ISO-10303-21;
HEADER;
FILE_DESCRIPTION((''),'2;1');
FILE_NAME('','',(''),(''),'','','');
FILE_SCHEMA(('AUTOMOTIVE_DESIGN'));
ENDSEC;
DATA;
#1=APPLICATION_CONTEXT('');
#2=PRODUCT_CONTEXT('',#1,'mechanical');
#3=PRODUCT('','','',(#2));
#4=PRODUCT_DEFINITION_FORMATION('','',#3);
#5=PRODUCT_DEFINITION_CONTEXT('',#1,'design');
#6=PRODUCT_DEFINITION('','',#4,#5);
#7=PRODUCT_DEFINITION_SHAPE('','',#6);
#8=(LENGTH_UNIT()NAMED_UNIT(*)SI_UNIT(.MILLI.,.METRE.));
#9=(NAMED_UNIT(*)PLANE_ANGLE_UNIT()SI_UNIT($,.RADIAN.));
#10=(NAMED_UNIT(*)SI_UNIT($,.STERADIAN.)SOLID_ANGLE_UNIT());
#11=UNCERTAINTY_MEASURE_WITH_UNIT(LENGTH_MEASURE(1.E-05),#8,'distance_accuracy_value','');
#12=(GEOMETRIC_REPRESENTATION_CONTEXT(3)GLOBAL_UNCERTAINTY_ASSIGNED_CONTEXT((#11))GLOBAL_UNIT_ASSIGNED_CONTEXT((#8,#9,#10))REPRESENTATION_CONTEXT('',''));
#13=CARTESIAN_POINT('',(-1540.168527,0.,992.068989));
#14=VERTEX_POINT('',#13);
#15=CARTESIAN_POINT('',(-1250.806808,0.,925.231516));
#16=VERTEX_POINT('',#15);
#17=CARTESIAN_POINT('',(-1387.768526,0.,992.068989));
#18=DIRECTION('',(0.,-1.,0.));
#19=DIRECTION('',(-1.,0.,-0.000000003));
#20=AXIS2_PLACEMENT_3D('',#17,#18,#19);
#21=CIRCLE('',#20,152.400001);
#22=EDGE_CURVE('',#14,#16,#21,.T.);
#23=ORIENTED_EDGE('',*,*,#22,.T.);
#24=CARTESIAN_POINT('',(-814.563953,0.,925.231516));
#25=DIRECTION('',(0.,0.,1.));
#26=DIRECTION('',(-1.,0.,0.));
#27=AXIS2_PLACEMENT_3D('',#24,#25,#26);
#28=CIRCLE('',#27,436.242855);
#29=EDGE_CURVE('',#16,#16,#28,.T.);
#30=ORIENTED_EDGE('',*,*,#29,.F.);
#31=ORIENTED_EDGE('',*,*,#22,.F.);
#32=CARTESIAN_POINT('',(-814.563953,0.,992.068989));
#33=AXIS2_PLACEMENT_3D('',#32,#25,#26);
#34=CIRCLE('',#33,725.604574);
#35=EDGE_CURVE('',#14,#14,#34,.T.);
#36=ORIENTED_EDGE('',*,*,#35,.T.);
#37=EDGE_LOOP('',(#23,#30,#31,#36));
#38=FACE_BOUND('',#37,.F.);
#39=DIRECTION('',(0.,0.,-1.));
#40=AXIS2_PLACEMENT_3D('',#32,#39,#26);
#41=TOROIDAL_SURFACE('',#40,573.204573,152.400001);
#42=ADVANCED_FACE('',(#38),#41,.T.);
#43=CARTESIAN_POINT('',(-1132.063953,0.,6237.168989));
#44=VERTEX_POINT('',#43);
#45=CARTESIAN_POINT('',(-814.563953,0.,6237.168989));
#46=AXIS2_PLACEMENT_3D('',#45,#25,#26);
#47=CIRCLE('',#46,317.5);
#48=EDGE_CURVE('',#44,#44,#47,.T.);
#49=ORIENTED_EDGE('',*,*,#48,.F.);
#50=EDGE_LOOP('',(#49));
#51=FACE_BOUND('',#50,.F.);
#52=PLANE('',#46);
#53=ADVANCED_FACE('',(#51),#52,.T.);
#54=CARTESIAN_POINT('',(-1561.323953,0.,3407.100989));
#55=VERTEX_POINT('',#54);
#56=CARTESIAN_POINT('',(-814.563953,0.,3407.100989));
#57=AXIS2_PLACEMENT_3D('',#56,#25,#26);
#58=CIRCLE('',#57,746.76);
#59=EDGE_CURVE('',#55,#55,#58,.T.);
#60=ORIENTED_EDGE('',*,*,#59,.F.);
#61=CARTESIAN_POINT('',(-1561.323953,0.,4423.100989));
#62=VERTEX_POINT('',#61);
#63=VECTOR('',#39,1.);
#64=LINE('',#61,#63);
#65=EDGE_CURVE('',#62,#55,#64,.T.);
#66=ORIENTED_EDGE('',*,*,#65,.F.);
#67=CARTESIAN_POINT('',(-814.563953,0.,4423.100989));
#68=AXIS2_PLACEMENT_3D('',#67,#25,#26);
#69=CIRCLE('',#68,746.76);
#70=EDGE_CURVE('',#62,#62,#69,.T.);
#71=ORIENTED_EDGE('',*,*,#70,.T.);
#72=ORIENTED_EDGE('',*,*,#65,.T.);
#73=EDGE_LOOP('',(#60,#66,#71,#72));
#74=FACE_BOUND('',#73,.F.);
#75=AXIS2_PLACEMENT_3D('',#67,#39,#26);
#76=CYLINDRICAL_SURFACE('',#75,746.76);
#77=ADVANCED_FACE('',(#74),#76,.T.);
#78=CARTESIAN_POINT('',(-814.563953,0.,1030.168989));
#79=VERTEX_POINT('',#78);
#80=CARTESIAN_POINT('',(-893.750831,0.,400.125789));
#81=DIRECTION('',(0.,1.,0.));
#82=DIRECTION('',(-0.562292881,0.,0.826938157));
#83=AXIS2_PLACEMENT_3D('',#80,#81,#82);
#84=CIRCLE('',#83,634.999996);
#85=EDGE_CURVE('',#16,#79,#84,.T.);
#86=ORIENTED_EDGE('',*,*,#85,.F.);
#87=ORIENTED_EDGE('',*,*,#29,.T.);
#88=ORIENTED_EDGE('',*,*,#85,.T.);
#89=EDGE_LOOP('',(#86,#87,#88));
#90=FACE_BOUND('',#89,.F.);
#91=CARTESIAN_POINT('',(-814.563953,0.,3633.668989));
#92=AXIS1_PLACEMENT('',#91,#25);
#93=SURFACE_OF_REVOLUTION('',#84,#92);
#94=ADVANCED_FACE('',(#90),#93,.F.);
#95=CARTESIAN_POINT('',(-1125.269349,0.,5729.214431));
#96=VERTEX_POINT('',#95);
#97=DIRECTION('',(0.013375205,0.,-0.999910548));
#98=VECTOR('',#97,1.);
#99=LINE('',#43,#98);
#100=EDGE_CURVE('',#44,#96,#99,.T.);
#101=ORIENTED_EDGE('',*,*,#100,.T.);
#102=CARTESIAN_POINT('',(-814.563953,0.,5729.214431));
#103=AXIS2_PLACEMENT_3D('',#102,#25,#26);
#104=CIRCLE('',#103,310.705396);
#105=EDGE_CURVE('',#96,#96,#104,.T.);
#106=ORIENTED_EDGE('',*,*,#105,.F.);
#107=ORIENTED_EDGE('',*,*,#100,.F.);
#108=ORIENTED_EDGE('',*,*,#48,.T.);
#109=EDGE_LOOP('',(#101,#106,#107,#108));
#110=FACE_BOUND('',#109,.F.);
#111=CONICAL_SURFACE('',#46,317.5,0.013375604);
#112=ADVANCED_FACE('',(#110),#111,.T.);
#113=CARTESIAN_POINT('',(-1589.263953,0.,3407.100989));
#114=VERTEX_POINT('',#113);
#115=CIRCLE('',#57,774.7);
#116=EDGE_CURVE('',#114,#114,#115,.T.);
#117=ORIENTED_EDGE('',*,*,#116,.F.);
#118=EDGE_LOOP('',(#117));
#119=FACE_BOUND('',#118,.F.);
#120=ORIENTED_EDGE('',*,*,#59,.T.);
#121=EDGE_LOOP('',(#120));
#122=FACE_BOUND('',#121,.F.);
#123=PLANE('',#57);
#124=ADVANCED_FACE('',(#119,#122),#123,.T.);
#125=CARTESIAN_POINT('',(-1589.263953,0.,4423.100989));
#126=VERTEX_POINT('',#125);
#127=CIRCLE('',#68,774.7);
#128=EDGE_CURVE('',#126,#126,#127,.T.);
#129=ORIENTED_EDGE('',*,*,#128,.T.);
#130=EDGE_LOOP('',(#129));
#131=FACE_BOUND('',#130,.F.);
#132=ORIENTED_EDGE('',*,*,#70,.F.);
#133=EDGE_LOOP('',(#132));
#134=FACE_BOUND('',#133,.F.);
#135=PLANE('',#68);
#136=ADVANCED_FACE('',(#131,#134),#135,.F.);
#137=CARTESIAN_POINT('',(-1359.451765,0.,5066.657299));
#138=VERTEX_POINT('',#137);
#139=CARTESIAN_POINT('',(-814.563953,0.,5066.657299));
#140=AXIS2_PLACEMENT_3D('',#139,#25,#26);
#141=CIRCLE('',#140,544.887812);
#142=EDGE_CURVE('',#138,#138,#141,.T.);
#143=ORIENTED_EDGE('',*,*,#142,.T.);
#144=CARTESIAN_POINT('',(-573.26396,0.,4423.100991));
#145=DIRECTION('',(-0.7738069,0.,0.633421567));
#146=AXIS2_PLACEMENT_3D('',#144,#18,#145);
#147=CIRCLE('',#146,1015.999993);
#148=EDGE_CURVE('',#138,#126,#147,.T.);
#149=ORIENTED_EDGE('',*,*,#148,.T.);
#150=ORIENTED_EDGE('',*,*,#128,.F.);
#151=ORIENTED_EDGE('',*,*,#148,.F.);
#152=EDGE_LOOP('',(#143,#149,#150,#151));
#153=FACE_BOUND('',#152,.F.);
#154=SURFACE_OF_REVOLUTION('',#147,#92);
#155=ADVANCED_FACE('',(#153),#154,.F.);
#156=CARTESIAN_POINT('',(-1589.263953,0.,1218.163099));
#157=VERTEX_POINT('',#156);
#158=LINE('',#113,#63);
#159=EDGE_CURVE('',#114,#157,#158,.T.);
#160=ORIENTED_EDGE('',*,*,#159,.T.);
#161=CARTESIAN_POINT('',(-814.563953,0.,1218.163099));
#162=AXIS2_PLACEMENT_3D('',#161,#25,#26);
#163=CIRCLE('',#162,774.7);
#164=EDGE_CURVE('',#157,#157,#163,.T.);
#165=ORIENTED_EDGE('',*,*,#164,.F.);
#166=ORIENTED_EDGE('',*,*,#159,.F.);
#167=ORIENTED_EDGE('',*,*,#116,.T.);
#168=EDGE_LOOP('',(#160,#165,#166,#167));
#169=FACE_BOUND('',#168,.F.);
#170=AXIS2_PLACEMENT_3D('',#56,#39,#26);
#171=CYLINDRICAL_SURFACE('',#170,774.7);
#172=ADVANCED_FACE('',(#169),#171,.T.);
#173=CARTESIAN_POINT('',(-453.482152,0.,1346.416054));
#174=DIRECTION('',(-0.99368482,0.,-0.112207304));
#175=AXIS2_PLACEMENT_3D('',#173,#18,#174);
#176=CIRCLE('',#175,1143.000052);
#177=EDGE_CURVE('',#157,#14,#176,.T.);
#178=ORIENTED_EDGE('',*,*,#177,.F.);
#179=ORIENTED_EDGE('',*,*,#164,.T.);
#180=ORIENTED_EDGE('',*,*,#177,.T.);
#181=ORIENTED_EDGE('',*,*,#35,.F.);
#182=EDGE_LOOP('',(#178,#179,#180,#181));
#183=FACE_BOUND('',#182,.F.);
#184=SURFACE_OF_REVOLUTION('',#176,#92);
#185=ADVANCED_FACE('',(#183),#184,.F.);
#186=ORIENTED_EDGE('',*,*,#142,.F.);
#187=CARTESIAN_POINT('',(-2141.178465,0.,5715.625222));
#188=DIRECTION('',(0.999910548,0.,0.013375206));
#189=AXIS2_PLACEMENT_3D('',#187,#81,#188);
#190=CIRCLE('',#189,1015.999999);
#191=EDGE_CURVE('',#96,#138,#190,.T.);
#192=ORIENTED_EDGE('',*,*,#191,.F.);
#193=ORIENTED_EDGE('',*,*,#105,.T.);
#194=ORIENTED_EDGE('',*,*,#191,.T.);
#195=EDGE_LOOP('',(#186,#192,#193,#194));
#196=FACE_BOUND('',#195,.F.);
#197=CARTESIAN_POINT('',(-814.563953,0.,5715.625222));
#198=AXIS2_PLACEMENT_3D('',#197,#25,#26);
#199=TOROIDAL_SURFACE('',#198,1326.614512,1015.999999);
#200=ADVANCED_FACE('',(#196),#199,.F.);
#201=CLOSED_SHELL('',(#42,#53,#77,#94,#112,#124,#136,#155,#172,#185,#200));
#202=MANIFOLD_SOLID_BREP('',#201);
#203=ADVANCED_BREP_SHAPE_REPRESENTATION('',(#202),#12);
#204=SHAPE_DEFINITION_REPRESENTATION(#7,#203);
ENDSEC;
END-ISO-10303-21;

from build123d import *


with BuildPart() as f1:
    # F0 (on Front) → F1 (revolve)
    with BuildSketch(Plane.XZ):
        with BuildLine():
            Line((-1589.263953, 1474.668989), (-1589.263953, 1218.163099))
            ThreePointArc((-1589.263953, 1218.163099), (-1570.451639, 1103.870625), (-1540.168527, 992.068989))
            ThreePointArc((-1540.168527, 992.068989), (-1422.067172, 843.57871), (-1250.806808, 925.231516))
            ThreePointArc((-1250.806808, 925.231516), (-1042.262707, 1017.514822), (-814.563953, 1030.168989))
            Line((-814.563953, 1030.168989), (-814.563953, 6237.168989))
            Line((-814.563953, 6237.168989), (-1132.063953, 6237.168989))
            Line((-1132.063953, 6237.168989), (-1125.269349, 5729.214431))
            ThreePointArc((-1125.269349, 5729.214431), (-1183.254084, 5377.044539), (-1359.451765, 5066.657299))
            ThreePointArc((-1359.451765, 5066.657299), (-1530.087557, 4764.780066), (-1589.263953, 4423.100989))
            Line((-1589.263953, 4423.100989), (-1561.323953, 4423.100989))
            Line((-1561.323953, 4423.100989), (-1561.323953, 3407.100989))
            Line((-1561.323953, 3407.100989), (-1589.263953, 3407.100989))
            Line((-1589.263953, 3407.100989), (-1589.263953, 1474.668989))
        make_face()
    revolve(axis=Axis((-814.563953, 0, 3633.668989), (0, 0, 1)))


solid = f1.part
